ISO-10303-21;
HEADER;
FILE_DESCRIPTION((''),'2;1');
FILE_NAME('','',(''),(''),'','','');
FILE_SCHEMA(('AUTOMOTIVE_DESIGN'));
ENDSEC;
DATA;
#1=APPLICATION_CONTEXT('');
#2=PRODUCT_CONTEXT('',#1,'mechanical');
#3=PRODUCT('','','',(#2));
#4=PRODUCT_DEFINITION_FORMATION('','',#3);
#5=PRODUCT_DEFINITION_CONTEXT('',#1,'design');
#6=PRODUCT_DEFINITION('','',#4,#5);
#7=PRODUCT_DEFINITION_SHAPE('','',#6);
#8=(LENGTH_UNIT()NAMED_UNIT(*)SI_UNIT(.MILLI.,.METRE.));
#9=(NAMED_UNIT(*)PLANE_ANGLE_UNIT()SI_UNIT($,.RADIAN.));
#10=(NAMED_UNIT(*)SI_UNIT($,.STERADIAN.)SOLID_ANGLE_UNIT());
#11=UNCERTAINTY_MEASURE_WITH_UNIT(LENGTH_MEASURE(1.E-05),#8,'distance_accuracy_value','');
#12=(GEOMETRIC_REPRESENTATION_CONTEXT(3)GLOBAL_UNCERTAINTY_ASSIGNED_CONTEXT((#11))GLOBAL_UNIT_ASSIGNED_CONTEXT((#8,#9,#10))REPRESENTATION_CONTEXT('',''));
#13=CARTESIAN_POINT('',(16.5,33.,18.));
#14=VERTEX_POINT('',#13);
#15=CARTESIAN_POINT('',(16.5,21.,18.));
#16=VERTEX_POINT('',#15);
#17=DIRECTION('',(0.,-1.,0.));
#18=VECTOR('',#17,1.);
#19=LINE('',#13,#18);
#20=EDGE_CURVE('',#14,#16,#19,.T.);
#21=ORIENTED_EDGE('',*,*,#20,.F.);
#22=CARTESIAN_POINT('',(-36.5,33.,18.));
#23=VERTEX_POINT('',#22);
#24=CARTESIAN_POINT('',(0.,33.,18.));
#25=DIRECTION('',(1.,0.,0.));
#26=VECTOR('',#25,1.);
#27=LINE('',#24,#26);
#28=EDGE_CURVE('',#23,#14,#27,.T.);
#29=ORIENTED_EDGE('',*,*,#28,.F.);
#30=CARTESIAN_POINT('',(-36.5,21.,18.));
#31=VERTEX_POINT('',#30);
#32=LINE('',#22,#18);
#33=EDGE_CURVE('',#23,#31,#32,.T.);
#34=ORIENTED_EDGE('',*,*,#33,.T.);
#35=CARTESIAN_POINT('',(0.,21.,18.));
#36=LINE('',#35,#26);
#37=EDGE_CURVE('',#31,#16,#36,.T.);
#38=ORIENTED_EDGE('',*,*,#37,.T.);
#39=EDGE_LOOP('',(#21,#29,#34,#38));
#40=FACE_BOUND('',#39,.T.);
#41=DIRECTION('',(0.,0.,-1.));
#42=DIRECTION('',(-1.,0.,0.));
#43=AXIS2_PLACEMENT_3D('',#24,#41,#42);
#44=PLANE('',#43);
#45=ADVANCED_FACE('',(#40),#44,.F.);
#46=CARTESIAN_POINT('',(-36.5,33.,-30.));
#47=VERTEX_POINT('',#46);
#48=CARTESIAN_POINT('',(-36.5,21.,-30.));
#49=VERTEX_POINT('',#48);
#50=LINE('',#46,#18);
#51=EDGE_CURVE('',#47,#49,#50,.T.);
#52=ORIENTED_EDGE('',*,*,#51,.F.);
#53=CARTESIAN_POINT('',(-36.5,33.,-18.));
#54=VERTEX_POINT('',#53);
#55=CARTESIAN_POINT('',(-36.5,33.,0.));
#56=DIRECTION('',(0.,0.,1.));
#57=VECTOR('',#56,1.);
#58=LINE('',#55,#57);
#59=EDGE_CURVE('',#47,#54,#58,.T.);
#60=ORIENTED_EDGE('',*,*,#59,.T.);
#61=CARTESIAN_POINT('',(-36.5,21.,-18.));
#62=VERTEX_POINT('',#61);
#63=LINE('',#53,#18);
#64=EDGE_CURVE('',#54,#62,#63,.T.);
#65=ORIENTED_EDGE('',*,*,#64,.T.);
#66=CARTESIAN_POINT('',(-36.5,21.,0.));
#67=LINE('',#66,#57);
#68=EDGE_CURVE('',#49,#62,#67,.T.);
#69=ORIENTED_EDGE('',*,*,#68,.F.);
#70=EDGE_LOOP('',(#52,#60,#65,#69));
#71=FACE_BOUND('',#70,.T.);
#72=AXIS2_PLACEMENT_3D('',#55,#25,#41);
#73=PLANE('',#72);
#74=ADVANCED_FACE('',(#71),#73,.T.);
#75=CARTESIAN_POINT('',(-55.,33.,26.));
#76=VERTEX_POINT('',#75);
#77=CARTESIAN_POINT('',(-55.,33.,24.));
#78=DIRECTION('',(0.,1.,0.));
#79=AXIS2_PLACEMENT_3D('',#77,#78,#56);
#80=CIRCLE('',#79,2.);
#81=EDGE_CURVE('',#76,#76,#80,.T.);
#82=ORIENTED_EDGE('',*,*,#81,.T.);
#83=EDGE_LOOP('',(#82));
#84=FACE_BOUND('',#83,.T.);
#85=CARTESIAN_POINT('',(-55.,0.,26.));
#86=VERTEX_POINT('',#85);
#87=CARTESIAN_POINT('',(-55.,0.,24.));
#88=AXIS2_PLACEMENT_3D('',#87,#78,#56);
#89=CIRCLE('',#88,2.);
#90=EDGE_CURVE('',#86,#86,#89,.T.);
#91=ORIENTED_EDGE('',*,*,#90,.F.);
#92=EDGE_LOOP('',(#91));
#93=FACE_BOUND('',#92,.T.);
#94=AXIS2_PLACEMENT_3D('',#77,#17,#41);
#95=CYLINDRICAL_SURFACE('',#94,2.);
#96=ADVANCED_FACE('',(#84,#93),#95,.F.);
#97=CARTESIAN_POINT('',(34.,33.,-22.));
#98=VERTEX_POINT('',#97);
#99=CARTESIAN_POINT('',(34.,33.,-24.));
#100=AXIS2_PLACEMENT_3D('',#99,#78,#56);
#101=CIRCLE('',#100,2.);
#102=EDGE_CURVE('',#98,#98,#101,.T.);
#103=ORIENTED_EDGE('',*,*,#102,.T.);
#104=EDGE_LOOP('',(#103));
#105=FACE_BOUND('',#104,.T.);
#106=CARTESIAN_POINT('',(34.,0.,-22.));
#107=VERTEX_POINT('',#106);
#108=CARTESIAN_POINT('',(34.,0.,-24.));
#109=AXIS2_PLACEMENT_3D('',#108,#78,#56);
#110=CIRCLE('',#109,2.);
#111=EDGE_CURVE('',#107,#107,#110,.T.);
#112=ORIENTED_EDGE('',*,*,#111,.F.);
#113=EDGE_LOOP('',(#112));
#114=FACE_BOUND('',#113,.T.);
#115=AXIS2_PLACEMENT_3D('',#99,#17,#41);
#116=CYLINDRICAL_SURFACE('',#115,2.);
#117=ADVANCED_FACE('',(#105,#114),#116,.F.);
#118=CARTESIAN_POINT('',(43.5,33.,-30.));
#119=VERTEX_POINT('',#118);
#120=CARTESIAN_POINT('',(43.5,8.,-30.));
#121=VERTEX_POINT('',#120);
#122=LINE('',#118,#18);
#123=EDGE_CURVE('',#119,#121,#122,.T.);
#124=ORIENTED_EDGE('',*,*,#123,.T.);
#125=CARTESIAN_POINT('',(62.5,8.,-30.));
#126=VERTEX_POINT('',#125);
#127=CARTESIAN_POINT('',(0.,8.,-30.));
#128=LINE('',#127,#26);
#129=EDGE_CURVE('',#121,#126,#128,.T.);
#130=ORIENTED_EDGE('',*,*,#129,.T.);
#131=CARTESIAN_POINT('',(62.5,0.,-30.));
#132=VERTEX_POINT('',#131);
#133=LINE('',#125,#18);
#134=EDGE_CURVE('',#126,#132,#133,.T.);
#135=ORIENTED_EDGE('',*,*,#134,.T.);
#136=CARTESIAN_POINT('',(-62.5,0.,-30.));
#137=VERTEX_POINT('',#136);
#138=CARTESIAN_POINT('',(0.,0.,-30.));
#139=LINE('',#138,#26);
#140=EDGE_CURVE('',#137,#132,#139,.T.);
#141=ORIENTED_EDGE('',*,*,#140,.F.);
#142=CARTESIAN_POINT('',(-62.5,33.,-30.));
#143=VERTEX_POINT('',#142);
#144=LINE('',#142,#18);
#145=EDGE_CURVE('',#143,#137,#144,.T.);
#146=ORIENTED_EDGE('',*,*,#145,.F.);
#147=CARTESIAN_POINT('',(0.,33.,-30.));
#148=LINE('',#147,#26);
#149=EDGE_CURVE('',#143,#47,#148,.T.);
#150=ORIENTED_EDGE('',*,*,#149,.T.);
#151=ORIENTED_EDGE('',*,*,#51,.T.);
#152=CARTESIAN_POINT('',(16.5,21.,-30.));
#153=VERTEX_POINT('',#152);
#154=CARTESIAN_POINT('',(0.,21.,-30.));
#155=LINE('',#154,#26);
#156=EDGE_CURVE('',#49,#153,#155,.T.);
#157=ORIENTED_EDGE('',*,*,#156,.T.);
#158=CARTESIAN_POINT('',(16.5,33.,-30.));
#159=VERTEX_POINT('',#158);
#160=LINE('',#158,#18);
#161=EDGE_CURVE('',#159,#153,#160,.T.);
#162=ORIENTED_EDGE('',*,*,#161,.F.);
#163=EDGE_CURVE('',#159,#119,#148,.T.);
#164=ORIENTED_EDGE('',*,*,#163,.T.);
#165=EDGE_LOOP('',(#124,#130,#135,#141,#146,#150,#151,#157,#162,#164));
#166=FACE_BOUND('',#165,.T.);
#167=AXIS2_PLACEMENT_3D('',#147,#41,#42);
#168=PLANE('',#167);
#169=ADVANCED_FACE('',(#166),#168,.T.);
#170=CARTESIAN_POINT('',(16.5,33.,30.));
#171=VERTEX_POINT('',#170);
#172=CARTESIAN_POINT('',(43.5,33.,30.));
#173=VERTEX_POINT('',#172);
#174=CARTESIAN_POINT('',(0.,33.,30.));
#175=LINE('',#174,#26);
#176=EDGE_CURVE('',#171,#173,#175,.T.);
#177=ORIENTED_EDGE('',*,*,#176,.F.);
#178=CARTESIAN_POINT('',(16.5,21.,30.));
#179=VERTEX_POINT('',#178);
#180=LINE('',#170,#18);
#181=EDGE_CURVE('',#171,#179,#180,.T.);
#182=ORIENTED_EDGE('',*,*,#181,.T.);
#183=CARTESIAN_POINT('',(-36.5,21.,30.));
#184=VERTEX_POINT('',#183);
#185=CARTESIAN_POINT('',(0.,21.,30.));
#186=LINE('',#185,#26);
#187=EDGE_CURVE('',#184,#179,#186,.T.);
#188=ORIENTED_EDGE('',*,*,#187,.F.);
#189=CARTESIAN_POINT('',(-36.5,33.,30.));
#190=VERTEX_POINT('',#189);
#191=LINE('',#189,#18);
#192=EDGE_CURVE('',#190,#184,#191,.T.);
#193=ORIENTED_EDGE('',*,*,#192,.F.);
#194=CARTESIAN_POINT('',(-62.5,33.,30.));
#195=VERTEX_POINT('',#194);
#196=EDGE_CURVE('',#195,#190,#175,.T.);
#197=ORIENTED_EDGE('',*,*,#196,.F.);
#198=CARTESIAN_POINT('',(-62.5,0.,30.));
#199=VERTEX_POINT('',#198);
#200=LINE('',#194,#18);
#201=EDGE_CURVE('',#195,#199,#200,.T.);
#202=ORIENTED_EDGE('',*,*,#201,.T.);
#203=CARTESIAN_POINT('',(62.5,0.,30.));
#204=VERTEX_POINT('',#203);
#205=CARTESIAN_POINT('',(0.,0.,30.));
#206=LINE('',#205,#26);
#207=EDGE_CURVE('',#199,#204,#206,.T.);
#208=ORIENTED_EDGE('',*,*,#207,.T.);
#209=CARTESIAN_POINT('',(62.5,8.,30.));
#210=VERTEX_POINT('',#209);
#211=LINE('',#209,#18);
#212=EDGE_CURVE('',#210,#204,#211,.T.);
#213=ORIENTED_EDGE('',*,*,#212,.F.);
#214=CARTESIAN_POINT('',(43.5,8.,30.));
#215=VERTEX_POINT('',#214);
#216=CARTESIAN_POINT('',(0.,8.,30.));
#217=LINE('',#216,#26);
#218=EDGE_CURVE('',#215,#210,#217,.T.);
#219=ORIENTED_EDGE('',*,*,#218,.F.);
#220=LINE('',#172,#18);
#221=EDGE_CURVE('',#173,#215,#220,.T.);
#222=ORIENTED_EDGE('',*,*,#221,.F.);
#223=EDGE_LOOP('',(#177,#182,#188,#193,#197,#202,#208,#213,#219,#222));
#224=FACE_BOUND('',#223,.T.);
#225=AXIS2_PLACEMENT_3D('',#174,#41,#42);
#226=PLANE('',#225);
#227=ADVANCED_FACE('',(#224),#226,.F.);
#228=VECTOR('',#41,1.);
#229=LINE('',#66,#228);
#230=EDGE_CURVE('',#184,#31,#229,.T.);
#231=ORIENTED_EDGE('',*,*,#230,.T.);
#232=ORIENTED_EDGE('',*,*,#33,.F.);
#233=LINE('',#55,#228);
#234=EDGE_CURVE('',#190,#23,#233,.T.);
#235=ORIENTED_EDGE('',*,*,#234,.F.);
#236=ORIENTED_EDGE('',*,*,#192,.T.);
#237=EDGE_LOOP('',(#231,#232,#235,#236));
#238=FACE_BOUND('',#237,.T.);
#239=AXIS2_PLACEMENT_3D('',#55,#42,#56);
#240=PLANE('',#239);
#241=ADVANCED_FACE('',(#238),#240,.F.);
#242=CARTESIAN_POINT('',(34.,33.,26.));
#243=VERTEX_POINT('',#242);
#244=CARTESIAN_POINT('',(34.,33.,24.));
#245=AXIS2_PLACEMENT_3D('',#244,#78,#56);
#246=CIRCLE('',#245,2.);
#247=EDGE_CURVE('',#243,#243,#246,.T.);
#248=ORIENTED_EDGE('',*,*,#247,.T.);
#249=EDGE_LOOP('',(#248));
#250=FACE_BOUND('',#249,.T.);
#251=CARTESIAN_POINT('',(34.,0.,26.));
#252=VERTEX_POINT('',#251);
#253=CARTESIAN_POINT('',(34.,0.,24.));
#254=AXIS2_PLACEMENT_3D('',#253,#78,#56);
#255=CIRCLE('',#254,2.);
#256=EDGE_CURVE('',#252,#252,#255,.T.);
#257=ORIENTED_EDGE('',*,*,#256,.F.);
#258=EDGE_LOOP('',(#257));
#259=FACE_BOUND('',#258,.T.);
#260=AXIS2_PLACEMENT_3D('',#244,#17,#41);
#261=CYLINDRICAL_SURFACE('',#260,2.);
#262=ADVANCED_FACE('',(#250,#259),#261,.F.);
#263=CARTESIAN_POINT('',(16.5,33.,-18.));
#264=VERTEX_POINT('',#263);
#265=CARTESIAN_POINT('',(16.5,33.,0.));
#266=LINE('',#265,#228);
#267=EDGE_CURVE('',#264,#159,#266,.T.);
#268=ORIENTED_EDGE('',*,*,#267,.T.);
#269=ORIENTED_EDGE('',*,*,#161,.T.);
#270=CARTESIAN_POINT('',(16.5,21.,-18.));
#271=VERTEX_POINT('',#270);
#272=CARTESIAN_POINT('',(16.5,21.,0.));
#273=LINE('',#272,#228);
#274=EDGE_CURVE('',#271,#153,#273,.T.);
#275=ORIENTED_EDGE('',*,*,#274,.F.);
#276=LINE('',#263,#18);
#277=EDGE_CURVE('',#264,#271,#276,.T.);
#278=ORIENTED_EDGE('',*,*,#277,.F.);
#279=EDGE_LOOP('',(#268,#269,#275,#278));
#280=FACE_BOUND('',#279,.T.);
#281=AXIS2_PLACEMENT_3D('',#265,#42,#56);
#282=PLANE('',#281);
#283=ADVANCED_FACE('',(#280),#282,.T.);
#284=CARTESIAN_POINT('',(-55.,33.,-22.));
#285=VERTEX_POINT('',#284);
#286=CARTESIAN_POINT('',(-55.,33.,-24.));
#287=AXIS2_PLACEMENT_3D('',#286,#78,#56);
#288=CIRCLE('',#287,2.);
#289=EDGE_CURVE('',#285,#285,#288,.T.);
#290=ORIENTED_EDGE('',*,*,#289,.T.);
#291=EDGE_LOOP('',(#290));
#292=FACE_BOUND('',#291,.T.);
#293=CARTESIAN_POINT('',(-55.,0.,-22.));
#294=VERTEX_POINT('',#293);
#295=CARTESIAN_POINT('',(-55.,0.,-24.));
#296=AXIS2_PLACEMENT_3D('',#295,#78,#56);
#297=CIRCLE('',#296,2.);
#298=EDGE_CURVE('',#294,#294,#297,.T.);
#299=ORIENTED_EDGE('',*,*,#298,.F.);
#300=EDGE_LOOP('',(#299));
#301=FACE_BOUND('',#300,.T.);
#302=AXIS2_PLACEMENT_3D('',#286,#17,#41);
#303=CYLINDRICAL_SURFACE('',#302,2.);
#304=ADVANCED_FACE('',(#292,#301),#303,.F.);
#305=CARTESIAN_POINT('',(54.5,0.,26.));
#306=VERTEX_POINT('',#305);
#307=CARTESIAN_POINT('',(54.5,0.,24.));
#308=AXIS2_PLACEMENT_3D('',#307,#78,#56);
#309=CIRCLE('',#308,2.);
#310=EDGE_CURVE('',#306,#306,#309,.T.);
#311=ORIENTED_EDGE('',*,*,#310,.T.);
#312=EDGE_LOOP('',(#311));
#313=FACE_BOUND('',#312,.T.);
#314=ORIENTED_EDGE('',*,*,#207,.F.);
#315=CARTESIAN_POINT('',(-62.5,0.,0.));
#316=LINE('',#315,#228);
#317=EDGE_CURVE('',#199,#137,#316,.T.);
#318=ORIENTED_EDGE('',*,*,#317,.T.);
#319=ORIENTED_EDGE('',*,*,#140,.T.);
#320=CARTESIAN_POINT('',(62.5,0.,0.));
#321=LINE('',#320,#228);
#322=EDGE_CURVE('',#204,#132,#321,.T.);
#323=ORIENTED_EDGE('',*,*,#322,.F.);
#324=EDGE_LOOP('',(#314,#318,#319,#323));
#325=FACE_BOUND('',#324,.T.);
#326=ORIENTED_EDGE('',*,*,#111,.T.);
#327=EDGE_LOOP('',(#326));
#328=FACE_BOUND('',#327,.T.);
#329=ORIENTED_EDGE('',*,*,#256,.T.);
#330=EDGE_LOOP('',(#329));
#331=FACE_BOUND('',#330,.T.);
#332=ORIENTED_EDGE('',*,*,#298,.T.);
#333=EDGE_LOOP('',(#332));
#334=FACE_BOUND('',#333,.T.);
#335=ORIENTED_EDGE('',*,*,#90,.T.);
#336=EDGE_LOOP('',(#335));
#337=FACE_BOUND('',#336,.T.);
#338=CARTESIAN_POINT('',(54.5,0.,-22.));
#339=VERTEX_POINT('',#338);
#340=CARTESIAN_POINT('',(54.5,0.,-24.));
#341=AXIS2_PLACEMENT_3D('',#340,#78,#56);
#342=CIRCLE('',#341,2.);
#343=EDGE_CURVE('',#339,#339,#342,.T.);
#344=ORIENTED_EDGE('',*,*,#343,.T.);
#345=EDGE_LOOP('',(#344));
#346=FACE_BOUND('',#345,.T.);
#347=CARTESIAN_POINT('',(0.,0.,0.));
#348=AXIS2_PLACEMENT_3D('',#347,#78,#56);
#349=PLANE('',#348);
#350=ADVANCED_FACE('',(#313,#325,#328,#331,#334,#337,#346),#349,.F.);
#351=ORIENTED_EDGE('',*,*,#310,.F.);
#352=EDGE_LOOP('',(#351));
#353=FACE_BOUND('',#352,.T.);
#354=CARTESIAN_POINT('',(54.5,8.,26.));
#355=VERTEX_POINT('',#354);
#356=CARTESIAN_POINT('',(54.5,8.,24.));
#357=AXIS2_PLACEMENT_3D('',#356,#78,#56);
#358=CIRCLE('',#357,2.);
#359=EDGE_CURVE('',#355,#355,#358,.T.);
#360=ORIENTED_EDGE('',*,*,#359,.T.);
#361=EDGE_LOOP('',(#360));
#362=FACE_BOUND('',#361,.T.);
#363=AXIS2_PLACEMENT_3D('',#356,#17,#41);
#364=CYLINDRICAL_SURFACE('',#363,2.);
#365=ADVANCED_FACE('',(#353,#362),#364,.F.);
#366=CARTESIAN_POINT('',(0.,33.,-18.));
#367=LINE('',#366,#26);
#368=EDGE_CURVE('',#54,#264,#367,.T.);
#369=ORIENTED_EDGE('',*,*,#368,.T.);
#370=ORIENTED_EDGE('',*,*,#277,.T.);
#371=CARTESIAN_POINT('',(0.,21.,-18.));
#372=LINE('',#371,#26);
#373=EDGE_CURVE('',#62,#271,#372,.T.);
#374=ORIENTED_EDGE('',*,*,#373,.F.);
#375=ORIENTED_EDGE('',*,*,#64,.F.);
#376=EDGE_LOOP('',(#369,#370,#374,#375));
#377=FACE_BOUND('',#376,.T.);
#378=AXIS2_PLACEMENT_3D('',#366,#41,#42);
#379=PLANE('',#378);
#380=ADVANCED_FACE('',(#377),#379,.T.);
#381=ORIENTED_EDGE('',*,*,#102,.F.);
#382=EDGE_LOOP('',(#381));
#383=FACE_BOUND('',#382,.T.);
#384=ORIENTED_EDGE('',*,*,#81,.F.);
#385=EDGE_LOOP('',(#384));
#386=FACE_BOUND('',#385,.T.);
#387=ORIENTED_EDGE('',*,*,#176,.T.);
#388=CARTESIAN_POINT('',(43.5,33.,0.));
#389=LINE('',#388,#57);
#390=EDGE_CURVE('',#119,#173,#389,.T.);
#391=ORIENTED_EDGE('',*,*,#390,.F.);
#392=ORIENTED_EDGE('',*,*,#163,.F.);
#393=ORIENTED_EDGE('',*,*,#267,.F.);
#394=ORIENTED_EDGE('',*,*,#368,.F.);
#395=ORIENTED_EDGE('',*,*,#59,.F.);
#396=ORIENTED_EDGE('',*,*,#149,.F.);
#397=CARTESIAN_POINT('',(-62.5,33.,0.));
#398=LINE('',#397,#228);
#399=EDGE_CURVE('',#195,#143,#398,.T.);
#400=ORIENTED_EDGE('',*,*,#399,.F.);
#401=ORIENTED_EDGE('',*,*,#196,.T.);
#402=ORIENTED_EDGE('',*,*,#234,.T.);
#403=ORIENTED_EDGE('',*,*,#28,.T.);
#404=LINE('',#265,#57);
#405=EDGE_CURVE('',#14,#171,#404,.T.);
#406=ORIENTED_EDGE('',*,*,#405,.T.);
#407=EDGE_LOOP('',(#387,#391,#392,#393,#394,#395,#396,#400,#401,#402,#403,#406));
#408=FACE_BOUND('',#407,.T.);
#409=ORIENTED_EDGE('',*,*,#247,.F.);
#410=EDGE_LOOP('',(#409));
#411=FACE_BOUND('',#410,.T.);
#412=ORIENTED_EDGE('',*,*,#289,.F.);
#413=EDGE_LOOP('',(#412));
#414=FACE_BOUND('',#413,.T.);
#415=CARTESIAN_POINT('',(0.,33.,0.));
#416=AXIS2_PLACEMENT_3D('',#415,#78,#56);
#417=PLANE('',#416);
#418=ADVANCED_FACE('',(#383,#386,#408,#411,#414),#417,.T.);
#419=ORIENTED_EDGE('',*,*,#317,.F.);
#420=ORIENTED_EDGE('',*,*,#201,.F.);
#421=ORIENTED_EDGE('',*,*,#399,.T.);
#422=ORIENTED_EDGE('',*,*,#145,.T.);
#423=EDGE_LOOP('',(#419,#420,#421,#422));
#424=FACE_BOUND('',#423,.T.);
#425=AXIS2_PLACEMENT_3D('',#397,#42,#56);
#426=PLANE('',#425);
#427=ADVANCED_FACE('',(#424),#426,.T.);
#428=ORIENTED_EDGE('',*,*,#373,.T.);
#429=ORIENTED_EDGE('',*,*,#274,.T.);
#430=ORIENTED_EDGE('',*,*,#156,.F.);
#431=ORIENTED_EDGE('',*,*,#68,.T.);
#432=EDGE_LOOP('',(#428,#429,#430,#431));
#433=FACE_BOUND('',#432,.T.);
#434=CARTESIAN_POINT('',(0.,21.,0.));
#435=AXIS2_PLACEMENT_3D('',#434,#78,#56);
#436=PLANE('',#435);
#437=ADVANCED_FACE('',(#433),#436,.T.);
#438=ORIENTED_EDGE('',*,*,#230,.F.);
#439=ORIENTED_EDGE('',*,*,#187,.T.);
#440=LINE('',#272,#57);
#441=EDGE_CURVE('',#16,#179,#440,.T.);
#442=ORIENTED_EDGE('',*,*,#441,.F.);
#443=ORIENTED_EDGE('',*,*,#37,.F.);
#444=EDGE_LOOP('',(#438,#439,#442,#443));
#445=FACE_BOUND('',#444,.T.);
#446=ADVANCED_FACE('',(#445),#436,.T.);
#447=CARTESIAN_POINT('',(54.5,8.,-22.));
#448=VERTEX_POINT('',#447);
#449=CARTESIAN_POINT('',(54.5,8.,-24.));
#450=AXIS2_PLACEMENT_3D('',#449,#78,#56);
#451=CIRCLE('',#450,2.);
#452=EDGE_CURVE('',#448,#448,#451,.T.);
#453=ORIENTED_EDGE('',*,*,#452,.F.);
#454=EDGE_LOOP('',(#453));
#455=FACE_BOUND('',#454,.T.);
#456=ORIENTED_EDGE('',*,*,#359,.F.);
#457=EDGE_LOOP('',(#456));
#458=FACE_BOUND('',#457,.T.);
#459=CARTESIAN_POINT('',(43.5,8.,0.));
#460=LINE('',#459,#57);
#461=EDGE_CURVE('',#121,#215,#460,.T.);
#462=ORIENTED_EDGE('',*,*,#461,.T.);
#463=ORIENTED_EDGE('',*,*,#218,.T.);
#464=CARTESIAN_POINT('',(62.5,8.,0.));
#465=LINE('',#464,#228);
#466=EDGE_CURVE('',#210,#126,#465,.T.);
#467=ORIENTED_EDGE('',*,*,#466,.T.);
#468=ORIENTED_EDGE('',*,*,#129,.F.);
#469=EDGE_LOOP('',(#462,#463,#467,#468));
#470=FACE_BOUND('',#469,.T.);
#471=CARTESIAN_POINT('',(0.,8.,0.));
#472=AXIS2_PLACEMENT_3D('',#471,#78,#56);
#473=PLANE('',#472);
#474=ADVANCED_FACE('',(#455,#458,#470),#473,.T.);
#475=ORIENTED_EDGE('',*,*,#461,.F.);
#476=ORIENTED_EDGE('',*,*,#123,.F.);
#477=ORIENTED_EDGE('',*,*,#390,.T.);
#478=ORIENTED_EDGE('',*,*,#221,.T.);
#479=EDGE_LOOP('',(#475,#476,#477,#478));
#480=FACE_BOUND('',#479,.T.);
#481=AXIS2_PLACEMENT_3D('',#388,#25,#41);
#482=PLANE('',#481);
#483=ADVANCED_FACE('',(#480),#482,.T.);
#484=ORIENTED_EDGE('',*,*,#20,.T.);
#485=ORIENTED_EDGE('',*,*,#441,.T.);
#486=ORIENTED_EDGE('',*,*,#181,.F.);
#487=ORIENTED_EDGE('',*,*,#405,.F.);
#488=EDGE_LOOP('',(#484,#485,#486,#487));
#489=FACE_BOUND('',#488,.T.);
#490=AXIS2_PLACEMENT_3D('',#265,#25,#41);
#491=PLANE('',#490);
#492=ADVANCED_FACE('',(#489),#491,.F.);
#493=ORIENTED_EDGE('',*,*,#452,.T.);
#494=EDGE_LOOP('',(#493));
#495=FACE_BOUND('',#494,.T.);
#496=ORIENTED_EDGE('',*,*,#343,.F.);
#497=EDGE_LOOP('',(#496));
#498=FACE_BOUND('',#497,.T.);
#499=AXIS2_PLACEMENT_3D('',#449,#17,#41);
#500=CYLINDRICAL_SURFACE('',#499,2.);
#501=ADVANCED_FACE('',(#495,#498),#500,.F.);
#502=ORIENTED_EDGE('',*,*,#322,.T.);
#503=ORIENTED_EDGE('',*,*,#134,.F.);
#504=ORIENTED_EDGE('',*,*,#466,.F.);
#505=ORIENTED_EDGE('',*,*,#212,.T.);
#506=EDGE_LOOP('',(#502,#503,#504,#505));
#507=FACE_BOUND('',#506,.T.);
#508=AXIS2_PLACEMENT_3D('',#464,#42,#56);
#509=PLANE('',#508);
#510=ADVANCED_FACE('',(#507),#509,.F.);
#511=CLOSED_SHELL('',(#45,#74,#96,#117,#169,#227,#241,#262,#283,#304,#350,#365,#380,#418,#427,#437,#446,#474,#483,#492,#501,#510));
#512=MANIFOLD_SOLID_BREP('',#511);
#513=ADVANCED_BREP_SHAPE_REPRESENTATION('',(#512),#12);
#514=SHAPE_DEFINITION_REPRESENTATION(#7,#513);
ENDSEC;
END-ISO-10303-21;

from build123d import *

# Parameters (mm, degrees)
SKETCH1_R           = 2
BOSS_EXTRUDE1_DEPTH = 33
SKETCH1_3_W         = 53
SKETCH1_3_H         = 12
BOSS_EXTRUDE2_DEPTH = 21
SKETCH1_4_W         = 19
SKETCH1_4_H         = 60
SKETCH1_4_R         = 2
BOSS_EXTRUDE3_DEPTH = 8


with BuildPart() as part:
    # Sketch1 → Boss-Extrude1 (new body)
    with BuildSketch(Plane(origin=(0, 0, 0), x_dir=(1, 0, 0), z_dir=(0, 1, 0))):
        Polygon((43.5, -30), (43.5, 30), (16.5, 30), (16.5, 18), (-36.5, 18), (-36.5, 30), (-62.5, 30), (-62.5, -30), (-36.5, -30), (-36.5, -18), (16.5, -18), (16.5, -30), align=None)
        with Locations((-55, -24)):
            Circle(SKETCH1_R, mode=Mode.SUBTRACT)
        with Locations((34, -24)):
            Circle(SKETCH1_R, mode=Mode.SUBTRACT)
        with Locations((-55, 24)):
            Circle(SKETCH1_R, mode=Mode.SUBTRACT)
        with Locations((34, 24)):
            Circle(SKETCH1_R, mode=Mode.SUBTRACT)
    extrude(amount=BOSS_EXTRUDE1_DEPTH)

    # Sketch1<3> → Boss-Extrude2 (add)
    with BuildSketch(Plane(origin=(0, 0, 0), x_dir=(1, 0, 0), z_dir=(0, 1, 0))):
        with Locations((-10, 24)):
            Rectangle(SKETCH1_3_W, SKETCH1_3_H)
        with Locations((-10, -24)):
            Rectangle(SKETCH1_3_W, SKETCH1_3_H)
    extrude(amount=BOSS_EXTRUDE2_DEPTH)

    # Sketch1<4> → Boss-Extrude3 (add)
    with BuildSketch(Plane(origin=(0, 0, 0), x_dir=(1, 0, 0), z_dir=(0, 1, 0))):
        with Locations((53, 0)):
            Rectangle(SKETCH1_4_W, SKETCH1_4_H)
        with Locations((54.5, 24)):
            Circle(SKETCH1_4_R, mode=Mode.SUBTRACT)
        with Locations((54.5, -24)):
            Circle(SKETCH1_4_R, mode=Mode.SUBTRACT)
    extrude(amount=BOSS_EXTRUDE3_DEPTH)


solid = part.part
